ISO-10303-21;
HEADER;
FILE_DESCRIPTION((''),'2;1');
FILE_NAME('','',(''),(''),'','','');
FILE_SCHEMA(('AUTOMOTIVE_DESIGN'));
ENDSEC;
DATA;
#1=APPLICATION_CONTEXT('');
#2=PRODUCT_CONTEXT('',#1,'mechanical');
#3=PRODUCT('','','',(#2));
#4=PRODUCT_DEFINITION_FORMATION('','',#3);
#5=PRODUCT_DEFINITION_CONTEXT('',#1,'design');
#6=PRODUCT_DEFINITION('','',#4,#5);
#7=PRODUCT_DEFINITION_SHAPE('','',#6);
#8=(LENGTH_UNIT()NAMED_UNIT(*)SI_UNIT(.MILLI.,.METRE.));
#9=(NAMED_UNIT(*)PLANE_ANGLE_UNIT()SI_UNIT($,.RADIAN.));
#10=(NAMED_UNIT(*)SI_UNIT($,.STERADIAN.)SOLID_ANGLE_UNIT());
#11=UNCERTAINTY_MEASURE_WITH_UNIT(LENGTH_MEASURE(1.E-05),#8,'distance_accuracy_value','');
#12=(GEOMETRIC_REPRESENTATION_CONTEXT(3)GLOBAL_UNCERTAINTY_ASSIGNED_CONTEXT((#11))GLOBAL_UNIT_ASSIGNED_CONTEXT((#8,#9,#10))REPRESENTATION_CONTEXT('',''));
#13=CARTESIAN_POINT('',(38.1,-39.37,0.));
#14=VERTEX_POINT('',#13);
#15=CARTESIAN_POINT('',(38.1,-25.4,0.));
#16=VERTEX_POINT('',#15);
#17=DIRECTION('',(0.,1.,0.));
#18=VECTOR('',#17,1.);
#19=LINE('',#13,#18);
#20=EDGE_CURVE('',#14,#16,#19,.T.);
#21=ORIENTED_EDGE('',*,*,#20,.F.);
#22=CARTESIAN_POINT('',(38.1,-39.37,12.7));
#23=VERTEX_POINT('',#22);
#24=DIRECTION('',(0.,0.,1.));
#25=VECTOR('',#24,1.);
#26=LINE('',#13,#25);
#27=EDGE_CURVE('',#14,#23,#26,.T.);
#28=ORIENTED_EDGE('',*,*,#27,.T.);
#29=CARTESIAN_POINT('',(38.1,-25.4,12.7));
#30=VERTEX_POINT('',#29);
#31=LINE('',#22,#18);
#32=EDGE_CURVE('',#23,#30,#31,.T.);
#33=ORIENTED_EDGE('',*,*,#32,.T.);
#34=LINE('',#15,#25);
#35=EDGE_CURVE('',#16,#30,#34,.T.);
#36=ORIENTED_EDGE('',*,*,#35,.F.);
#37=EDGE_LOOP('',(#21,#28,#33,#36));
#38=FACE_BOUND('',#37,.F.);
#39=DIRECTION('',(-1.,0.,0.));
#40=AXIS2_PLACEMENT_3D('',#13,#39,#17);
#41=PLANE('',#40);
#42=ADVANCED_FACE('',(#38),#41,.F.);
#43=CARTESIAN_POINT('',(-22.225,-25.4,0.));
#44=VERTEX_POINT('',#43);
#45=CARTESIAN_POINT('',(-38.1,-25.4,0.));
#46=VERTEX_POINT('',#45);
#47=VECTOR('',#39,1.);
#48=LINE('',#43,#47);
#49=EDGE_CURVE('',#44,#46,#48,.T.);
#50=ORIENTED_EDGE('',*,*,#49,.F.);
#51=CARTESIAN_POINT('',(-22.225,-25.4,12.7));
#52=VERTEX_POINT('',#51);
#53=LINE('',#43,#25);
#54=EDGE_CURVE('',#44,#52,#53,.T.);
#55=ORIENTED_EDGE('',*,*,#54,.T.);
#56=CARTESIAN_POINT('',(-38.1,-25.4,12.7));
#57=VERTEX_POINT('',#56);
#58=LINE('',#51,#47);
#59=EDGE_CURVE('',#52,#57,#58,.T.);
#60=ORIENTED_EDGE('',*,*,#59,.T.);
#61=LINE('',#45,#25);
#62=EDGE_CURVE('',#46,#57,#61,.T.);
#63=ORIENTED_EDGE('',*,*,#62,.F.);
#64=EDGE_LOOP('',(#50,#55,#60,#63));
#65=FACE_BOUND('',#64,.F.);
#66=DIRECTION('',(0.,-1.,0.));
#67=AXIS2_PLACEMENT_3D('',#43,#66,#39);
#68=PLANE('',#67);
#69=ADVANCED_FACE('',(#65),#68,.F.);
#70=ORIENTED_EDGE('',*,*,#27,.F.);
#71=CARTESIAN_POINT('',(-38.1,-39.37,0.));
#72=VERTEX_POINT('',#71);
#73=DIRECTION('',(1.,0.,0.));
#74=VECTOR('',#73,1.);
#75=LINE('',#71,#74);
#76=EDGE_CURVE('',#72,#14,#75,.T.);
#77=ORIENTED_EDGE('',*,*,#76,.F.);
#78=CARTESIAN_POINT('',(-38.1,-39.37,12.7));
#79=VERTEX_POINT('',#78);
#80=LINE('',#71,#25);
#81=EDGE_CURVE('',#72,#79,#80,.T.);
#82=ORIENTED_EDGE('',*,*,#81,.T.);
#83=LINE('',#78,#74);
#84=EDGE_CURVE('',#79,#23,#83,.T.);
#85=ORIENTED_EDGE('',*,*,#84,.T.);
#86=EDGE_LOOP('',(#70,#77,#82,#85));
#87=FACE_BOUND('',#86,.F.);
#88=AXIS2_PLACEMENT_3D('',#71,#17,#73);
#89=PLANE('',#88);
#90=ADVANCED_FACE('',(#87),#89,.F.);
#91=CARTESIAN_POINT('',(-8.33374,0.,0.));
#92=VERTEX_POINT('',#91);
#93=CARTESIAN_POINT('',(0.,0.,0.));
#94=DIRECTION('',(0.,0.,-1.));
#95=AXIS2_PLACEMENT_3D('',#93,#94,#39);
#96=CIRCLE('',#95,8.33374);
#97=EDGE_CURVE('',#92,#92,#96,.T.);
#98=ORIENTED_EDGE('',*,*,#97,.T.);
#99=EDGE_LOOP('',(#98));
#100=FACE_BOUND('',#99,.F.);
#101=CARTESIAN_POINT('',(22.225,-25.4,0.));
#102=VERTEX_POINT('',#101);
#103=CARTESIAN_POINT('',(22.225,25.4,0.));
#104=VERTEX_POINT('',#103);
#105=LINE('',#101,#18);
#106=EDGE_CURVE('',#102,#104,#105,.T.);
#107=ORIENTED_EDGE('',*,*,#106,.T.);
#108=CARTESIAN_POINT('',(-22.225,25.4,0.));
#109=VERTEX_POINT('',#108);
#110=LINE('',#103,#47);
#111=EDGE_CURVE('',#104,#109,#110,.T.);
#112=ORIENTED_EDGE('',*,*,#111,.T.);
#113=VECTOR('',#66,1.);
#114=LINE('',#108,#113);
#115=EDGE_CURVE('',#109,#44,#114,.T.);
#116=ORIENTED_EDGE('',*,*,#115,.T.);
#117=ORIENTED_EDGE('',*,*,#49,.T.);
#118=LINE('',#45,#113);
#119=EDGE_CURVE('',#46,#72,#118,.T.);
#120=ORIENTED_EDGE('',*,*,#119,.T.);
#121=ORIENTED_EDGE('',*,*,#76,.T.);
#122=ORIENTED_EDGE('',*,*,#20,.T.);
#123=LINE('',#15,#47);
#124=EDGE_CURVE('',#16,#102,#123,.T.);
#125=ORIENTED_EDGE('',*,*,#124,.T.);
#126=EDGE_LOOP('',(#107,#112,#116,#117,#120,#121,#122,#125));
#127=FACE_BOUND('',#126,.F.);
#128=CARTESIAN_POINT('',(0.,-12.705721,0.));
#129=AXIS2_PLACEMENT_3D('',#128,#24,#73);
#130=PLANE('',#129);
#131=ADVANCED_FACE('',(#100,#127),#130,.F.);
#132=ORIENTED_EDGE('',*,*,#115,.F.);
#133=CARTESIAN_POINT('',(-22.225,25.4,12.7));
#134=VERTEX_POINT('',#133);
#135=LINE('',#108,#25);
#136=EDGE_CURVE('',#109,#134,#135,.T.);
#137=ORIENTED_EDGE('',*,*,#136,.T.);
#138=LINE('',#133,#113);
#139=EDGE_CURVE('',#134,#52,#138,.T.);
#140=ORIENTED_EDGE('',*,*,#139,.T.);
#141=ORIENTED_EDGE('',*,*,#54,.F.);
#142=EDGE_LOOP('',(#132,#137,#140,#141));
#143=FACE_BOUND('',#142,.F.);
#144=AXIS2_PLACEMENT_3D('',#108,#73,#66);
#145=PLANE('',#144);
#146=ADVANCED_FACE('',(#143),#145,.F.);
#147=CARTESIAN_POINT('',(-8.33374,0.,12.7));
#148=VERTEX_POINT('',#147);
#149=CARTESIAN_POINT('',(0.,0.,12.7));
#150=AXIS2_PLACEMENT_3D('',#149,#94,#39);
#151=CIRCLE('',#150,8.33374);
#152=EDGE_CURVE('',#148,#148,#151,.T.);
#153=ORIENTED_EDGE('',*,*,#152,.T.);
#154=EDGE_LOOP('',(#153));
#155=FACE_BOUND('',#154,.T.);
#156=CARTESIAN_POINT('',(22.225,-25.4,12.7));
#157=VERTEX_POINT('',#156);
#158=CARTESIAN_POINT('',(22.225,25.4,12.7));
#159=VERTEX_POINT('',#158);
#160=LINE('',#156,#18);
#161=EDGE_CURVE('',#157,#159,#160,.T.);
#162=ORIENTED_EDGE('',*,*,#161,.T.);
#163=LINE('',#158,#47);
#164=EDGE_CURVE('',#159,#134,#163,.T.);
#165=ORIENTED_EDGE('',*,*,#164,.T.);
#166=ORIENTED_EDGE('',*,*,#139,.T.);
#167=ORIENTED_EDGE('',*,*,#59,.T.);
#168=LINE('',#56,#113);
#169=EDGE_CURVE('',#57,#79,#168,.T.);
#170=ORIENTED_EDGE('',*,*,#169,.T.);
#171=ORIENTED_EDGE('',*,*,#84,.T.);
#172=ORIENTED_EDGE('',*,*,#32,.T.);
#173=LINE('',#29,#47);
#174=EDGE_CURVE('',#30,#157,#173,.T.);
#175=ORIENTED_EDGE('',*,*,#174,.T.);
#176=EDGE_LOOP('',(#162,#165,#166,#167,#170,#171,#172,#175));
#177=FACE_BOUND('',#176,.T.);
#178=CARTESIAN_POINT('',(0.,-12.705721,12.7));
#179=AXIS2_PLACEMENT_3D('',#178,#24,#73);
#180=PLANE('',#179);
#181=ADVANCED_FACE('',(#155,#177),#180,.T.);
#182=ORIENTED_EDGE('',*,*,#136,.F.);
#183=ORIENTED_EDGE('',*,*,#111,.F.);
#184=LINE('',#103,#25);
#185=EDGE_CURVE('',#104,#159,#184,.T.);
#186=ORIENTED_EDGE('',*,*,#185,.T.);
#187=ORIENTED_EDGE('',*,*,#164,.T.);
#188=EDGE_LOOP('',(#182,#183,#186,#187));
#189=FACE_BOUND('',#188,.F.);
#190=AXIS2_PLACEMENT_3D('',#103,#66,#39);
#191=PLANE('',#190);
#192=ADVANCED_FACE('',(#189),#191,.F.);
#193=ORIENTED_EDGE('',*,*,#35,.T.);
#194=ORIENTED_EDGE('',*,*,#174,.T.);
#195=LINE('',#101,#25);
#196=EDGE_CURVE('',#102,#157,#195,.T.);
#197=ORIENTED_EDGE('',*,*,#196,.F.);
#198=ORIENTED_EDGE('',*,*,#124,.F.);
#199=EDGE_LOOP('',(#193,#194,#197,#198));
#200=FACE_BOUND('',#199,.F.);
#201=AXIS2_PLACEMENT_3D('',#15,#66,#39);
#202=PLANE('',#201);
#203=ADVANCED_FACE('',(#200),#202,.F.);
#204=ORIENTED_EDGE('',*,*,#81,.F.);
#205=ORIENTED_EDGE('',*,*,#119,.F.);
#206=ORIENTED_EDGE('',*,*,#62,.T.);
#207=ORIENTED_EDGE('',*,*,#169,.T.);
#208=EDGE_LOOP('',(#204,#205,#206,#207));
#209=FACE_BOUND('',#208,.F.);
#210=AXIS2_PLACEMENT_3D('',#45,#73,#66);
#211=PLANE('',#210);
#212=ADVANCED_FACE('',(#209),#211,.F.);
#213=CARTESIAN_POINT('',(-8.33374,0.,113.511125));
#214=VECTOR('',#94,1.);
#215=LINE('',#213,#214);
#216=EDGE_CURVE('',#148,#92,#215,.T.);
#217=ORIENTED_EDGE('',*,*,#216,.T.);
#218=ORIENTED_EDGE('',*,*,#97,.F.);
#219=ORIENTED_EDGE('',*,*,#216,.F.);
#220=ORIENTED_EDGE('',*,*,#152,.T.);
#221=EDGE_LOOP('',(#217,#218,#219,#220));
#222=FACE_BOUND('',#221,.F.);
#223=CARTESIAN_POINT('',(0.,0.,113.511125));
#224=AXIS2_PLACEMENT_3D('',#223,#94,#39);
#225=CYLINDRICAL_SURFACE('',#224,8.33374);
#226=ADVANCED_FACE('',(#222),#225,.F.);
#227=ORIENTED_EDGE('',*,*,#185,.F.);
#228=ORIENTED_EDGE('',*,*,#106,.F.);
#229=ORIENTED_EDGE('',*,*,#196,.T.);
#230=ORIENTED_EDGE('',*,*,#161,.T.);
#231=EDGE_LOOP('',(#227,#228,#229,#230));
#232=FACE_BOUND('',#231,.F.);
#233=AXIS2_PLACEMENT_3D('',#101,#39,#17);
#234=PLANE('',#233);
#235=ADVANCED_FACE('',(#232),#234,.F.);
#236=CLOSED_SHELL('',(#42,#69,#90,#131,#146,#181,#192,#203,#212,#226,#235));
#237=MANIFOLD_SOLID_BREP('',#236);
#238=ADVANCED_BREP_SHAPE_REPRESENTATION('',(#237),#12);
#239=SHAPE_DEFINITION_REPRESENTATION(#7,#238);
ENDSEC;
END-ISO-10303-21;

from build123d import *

# Parameters (mm, degrees)
F1_DEPTH = 12.7
F3_D     = 16.66748


with BuildPart() as f1:
    # F0 (on Top) → F1 (new body)
    with BuildSketch(Plane.XY):
        Polygon((22.225, -25.4), (22.225, 25.4), (-22.225, 25.4), (-22.225, -25.4), (-38.1, -25.4), (-38.1, -39.37), (38.1, -39.37), (38.1, -25.4), align=None)
    extrude(amount=F1_DEPTH)

    # F3 (through all)
    with Locations(Plane.XY.offset(12.7)):
        with Locations((0, 0)):
            Hole(F3_D / 2)


solid = f1.part
